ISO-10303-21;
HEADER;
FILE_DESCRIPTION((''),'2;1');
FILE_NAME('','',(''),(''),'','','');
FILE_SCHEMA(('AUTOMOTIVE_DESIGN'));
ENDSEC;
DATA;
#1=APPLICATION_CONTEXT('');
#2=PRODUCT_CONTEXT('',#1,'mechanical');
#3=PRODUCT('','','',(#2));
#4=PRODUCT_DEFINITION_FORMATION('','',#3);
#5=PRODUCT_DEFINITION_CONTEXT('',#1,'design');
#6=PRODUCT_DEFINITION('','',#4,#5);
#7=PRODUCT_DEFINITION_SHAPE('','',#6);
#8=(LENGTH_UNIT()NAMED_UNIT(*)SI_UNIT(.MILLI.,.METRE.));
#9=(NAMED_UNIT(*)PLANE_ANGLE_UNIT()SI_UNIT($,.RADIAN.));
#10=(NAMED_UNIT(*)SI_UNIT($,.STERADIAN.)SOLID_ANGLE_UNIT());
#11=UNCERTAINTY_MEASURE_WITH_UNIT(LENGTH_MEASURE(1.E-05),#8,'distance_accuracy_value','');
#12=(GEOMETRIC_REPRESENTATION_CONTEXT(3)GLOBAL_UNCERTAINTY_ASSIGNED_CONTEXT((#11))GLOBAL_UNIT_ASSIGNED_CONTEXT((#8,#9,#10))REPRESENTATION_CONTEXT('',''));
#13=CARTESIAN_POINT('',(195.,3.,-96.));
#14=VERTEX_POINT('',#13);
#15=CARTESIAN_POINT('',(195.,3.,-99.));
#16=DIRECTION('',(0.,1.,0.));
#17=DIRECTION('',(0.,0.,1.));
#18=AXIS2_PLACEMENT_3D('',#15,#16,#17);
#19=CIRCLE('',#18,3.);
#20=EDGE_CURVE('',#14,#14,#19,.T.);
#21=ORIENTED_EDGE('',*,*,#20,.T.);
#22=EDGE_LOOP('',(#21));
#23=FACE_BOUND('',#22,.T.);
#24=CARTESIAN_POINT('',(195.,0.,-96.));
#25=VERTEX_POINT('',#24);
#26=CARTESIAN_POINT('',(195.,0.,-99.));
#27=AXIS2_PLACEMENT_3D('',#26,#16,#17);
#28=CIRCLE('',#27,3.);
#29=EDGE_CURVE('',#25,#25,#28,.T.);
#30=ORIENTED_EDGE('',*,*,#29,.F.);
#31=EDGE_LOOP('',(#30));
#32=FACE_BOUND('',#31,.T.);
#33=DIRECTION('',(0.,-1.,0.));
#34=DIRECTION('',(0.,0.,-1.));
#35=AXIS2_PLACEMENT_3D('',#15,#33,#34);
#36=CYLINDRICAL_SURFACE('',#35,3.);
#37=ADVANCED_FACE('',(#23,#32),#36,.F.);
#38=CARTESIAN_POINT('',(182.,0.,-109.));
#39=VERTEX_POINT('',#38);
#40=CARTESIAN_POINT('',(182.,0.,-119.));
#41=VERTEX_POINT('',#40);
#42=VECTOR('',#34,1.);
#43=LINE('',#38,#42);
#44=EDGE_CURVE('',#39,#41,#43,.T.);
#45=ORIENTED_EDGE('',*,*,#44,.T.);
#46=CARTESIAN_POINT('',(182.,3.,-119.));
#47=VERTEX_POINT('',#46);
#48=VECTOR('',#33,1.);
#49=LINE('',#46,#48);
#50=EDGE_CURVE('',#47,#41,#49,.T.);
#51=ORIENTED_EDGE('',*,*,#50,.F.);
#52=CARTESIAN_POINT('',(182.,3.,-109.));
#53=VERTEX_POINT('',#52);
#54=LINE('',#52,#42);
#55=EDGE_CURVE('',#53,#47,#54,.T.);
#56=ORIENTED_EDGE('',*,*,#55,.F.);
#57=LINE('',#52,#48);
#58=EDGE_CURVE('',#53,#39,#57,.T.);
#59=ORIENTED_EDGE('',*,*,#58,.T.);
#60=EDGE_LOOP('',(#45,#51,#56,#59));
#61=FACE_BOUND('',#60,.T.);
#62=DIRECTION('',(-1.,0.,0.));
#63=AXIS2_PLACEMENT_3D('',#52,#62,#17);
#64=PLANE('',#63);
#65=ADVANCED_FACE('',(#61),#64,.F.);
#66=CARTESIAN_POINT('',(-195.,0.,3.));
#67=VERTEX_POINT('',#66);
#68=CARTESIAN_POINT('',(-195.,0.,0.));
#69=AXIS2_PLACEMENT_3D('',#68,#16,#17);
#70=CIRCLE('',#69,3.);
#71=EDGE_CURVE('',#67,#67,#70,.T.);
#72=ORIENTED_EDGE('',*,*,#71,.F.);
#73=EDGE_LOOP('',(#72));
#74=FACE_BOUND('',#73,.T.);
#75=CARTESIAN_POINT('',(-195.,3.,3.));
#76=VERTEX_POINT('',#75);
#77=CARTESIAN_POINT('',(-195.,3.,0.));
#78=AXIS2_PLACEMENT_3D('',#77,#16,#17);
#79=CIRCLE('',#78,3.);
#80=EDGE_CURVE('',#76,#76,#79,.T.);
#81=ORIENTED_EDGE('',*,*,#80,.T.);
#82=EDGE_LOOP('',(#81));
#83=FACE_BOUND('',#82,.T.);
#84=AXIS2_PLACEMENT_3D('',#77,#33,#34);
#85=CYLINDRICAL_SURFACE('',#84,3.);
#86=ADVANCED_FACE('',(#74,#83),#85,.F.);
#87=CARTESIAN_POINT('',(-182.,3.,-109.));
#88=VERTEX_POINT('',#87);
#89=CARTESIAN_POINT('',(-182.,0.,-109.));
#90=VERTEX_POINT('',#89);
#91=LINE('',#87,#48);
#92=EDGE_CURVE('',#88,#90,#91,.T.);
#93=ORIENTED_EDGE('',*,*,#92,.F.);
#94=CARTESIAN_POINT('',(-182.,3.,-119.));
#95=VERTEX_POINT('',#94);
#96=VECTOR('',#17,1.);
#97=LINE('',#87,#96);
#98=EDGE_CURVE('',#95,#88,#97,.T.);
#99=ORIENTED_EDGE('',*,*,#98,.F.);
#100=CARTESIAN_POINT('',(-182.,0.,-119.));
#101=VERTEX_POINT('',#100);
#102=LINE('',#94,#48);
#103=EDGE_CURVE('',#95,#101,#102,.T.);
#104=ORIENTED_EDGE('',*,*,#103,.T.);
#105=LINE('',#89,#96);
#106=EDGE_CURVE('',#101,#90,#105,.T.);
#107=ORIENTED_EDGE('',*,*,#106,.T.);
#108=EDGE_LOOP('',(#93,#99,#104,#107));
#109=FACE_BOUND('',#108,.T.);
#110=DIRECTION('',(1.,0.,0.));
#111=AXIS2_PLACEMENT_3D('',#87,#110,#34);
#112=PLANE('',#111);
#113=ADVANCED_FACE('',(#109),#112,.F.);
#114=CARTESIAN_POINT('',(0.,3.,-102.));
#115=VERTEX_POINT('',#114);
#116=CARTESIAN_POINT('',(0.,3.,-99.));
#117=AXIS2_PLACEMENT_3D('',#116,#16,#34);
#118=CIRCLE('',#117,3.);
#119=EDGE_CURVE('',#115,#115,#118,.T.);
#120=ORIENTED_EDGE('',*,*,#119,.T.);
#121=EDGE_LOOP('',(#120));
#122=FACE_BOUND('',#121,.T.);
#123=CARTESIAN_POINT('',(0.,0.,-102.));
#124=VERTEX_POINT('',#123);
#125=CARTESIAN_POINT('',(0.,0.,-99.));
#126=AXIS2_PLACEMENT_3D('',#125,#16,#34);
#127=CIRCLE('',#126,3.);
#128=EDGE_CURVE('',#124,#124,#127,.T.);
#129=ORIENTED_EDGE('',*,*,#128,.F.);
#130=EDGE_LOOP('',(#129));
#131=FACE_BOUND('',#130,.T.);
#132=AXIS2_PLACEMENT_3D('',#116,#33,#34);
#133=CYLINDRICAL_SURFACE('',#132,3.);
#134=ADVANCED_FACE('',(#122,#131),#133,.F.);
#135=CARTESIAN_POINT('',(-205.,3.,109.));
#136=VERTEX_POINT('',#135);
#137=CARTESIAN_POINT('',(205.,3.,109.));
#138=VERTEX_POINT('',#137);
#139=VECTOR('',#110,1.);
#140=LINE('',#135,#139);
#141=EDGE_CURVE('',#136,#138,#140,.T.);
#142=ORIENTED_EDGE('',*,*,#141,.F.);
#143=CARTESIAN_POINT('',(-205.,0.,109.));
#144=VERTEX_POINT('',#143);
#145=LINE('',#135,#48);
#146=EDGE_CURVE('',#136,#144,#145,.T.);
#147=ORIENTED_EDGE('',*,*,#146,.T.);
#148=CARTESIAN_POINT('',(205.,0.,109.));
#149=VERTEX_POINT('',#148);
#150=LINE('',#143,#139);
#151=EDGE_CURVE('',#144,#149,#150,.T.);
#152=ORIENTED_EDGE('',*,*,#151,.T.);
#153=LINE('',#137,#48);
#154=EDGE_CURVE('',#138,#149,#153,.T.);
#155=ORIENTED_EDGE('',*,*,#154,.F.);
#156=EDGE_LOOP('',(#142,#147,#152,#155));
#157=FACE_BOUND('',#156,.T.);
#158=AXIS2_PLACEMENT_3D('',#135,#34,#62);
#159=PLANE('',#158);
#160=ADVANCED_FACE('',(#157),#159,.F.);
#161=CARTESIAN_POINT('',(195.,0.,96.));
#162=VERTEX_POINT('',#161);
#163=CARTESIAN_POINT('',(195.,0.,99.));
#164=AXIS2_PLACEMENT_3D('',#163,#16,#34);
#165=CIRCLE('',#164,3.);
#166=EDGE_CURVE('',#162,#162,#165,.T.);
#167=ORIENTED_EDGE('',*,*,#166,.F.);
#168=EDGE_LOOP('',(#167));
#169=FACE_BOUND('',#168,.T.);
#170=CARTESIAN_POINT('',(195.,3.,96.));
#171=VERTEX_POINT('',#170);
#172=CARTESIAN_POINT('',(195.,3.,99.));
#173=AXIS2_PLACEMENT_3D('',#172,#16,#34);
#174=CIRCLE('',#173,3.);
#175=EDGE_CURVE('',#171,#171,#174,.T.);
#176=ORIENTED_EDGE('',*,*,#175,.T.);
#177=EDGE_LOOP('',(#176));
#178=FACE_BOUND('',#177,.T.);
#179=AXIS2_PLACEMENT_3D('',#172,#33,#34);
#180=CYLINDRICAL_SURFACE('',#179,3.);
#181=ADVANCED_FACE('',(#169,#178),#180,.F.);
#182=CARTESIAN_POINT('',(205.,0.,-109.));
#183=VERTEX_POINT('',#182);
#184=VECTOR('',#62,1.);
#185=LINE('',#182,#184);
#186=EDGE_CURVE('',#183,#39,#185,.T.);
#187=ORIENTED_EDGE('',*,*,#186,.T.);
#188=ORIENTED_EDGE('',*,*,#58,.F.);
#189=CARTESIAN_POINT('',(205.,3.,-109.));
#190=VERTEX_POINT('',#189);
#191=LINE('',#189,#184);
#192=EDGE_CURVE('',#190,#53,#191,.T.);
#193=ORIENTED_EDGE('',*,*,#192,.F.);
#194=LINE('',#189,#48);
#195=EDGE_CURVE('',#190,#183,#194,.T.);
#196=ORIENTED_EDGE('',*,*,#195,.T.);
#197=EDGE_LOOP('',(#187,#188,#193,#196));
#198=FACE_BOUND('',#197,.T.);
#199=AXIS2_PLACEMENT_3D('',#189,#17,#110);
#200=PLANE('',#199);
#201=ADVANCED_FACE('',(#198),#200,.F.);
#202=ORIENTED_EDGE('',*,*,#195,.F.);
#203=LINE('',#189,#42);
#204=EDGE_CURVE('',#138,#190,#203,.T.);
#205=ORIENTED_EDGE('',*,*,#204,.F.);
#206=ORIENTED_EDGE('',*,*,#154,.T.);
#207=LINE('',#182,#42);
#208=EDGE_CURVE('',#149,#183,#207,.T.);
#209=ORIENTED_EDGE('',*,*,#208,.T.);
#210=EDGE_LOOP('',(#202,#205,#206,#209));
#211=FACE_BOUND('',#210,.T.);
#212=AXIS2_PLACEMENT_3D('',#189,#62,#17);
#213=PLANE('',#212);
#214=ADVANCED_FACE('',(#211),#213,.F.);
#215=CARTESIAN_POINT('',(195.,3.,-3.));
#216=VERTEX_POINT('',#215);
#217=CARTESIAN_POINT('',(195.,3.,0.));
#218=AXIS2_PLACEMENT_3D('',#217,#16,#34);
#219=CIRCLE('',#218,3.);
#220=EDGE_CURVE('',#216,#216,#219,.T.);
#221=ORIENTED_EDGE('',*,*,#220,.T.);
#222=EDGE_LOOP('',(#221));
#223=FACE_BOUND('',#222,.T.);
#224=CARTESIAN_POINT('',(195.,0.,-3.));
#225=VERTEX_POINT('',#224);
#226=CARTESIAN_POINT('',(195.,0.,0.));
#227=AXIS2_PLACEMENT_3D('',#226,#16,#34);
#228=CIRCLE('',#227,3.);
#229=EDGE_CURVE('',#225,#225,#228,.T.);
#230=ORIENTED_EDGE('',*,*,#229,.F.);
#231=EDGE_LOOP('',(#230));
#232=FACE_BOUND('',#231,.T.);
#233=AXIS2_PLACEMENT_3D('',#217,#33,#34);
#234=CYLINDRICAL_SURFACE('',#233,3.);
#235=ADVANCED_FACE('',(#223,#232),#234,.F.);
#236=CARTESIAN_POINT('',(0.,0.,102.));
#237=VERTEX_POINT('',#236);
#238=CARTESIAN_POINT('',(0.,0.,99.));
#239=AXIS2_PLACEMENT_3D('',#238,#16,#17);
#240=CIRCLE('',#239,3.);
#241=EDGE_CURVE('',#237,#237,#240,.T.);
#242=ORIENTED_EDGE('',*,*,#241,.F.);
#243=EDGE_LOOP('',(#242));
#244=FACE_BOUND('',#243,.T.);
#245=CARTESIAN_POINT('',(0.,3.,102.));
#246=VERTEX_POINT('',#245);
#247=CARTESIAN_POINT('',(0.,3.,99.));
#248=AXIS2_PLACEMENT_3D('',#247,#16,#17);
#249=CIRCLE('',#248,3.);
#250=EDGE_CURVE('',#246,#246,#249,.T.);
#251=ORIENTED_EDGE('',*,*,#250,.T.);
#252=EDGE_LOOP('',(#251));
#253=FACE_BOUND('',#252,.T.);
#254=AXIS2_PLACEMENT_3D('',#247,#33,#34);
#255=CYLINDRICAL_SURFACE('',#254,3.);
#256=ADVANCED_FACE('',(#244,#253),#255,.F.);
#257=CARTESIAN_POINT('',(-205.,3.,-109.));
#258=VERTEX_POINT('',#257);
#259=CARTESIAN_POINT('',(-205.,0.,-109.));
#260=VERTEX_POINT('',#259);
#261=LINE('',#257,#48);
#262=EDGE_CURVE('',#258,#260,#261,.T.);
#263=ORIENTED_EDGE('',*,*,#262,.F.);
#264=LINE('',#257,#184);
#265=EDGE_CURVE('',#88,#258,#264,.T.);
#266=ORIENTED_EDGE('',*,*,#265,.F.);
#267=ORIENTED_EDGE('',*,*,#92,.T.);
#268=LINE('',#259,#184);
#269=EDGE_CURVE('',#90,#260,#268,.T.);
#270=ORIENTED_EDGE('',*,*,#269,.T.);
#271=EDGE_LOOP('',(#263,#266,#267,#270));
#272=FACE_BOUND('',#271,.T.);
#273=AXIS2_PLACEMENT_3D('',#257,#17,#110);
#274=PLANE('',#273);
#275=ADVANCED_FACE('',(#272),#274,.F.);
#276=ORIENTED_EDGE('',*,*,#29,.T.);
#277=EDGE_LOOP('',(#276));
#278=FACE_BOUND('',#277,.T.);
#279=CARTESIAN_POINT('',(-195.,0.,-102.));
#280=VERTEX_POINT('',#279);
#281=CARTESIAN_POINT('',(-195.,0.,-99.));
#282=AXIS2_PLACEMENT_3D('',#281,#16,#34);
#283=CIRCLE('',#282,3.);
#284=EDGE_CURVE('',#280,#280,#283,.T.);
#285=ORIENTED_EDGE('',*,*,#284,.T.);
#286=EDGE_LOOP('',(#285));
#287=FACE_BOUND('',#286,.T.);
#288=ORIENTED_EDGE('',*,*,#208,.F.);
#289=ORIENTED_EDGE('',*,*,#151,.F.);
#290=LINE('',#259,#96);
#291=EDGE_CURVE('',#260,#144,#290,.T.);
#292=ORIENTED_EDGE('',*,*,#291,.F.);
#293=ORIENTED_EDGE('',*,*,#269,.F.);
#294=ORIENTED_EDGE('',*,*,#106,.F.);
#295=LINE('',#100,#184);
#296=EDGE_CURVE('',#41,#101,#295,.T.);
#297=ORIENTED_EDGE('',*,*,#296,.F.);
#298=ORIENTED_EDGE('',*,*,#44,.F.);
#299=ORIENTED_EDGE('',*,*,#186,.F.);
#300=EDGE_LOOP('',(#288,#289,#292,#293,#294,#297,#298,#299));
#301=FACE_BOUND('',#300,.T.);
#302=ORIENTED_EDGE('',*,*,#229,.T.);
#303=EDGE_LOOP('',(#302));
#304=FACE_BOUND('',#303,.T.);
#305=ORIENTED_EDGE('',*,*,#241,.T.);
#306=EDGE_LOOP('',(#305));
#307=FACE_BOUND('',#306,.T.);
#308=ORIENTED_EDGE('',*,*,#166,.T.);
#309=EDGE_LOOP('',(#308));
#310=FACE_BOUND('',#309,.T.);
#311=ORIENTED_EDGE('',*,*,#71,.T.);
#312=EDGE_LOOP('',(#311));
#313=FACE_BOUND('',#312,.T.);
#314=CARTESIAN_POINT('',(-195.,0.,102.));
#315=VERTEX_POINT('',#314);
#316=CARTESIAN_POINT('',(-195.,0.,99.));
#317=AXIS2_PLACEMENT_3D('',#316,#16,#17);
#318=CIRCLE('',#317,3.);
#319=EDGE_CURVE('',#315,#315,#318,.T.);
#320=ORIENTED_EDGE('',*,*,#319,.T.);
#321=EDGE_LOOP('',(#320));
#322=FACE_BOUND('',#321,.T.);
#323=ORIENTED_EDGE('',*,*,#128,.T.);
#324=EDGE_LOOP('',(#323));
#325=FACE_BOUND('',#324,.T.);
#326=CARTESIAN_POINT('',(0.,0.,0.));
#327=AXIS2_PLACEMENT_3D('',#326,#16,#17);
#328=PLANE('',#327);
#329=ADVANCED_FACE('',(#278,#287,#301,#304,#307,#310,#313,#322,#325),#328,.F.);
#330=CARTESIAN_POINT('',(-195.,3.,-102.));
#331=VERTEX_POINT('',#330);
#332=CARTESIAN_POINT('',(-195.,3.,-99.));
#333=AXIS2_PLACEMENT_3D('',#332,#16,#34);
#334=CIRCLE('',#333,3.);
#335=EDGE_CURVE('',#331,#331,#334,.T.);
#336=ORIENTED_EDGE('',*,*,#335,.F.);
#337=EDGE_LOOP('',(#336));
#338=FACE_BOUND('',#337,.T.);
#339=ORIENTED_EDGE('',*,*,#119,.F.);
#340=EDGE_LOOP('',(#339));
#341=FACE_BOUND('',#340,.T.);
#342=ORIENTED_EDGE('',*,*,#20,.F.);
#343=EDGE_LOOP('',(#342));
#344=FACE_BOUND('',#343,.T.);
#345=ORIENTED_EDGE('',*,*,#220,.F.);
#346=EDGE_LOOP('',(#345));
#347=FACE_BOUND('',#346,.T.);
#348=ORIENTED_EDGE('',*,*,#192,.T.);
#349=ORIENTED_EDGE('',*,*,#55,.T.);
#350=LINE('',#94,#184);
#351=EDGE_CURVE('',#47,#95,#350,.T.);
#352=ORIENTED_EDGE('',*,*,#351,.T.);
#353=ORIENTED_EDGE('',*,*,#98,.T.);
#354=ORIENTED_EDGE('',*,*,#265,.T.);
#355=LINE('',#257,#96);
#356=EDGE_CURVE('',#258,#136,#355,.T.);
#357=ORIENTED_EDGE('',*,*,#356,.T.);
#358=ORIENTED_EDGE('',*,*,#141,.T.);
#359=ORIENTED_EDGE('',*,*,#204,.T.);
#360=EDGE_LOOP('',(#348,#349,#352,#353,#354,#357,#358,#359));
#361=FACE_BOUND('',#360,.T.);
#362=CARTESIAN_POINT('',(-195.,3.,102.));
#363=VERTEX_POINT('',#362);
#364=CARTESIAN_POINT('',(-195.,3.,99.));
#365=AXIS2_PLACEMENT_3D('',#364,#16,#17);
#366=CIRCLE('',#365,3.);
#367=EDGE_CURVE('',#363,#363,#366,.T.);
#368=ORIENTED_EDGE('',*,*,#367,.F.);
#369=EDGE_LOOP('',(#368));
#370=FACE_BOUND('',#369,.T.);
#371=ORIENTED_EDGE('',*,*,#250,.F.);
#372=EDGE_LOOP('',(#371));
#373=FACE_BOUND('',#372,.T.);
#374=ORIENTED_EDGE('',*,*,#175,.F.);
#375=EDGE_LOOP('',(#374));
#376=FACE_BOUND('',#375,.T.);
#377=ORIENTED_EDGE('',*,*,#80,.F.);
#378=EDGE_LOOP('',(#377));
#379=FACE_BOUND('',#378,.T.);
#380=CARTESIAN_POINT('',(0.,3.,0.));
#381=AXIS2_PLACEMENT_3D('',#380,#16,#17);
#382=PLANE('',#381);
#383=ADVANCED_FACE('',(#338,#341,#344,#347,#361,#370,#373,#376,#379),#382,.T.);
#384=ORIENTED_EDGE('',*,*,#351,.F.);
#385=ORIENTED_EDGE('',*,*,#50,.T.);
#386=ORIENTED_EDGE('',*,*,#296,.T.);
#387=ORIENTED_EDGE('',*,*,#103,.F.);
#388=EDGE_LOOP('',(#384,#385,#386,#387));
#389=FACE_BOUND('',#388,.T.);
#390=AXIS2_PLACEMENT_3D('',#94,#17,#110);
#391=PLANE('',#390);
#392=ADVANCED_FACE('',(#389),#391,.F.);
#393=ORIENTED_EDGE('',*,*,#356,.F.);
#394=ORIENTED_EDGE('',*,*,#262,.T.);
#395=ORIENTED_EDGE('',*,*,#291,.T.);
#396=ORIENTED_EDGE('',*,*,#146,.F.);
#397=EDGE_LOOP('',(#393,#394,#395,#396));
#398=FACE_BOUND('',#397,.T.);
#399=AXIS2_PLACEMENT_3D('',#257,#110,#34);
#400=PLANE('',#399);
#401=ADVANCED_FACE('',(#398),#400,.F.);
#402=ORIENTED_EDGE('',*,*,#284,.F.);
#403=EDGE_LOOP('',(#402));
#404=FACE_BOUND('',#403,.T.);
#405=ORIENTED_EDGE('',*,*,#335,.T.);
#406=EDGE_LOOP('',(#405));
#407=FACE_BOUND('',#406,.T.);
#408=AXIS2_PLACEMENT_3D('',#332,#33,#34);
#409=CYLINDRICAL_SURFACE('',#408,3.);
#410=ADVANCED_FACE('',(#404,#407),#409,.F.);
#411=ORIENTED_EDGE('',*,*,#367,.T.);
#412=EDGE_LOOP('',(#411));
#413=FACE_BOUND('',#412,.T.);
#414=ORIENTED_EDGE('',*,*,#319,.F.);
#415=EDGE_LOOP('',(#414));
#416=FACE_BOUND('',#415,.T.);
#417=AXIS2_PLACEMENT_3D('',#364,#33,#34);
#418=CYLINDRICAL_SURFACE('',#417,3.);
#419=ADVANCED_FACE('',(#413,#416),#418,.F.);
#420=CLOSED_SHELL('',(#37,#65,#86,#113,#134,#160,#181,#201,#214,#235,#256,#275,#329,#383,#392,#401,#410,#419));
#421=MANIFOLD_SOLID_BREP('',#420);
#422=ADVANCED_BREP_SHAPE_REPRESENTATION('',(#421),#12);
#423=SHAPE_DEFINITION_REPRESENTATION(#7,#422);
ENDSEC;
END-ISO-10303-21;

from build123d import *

# Parameters (mm, degrees)
CROQUIS1_R              = 3
SALIENTE_EXTRUIR1_DEPTH = 3


with BuildPart() as part:
    # Croquis1 → Saliente-Extruir1 (new body)
    with BuildSketch(Plane(origin=(0, 0, 0), x_dir=(1, 0, 0), z_dir=(0, 1, 0))):
        Polygon((-182, 109), (-182, 119), (182, 119), (182, 109), (205, 109), (205, -109), (-205, -109), (-205, 109), align=None)
        with Locations(Location((-195, -99, 0), (0, 0, 270))):
            Circle(CROQUIS1_R, mode=Mode.SUBTRACT)
        with Locations(Location((0, -99, 0), (0, 0, 270))):
            Circle(CROQUIS1_R, mode=Mode.SUBTRACT)
        with Locations(Location((-195, 0, 0), (0, 0, 270))):
            Circle(CROQUIS1_R, mode=Mode.SUBTRACT)
        with Locations(Location((-195, 99, 0), (0, 0, 90))):
            Circle(CROQUIS1_R, mode=Mode.SUBTRACT)
        with Locations(Location((195, 99, 0), (0, 0, 270))):
            Circle(CROQUIS1_R, mode=Mode.SUBTRACT)
        with Locations(Location((195, 0, 0), (0, 0, 90))):
            Circle(CROQUIS1_R, mode=Mode.SUBTRACT)
        with Locations(Location((195, -99, 0), (0, 0, 90))):
            Circle(CROQUIS1_R, mode=Mode.SUBTRACT)
        with Locations(Location((0, 99, 0), (0, 0, 90))):
            Circle(CROQUIS1_R, mode=Mode.SUBTRACT)
    extrude(amount=SALIENTE_EXTRUIR1_DEPTH)


solid = part.part
